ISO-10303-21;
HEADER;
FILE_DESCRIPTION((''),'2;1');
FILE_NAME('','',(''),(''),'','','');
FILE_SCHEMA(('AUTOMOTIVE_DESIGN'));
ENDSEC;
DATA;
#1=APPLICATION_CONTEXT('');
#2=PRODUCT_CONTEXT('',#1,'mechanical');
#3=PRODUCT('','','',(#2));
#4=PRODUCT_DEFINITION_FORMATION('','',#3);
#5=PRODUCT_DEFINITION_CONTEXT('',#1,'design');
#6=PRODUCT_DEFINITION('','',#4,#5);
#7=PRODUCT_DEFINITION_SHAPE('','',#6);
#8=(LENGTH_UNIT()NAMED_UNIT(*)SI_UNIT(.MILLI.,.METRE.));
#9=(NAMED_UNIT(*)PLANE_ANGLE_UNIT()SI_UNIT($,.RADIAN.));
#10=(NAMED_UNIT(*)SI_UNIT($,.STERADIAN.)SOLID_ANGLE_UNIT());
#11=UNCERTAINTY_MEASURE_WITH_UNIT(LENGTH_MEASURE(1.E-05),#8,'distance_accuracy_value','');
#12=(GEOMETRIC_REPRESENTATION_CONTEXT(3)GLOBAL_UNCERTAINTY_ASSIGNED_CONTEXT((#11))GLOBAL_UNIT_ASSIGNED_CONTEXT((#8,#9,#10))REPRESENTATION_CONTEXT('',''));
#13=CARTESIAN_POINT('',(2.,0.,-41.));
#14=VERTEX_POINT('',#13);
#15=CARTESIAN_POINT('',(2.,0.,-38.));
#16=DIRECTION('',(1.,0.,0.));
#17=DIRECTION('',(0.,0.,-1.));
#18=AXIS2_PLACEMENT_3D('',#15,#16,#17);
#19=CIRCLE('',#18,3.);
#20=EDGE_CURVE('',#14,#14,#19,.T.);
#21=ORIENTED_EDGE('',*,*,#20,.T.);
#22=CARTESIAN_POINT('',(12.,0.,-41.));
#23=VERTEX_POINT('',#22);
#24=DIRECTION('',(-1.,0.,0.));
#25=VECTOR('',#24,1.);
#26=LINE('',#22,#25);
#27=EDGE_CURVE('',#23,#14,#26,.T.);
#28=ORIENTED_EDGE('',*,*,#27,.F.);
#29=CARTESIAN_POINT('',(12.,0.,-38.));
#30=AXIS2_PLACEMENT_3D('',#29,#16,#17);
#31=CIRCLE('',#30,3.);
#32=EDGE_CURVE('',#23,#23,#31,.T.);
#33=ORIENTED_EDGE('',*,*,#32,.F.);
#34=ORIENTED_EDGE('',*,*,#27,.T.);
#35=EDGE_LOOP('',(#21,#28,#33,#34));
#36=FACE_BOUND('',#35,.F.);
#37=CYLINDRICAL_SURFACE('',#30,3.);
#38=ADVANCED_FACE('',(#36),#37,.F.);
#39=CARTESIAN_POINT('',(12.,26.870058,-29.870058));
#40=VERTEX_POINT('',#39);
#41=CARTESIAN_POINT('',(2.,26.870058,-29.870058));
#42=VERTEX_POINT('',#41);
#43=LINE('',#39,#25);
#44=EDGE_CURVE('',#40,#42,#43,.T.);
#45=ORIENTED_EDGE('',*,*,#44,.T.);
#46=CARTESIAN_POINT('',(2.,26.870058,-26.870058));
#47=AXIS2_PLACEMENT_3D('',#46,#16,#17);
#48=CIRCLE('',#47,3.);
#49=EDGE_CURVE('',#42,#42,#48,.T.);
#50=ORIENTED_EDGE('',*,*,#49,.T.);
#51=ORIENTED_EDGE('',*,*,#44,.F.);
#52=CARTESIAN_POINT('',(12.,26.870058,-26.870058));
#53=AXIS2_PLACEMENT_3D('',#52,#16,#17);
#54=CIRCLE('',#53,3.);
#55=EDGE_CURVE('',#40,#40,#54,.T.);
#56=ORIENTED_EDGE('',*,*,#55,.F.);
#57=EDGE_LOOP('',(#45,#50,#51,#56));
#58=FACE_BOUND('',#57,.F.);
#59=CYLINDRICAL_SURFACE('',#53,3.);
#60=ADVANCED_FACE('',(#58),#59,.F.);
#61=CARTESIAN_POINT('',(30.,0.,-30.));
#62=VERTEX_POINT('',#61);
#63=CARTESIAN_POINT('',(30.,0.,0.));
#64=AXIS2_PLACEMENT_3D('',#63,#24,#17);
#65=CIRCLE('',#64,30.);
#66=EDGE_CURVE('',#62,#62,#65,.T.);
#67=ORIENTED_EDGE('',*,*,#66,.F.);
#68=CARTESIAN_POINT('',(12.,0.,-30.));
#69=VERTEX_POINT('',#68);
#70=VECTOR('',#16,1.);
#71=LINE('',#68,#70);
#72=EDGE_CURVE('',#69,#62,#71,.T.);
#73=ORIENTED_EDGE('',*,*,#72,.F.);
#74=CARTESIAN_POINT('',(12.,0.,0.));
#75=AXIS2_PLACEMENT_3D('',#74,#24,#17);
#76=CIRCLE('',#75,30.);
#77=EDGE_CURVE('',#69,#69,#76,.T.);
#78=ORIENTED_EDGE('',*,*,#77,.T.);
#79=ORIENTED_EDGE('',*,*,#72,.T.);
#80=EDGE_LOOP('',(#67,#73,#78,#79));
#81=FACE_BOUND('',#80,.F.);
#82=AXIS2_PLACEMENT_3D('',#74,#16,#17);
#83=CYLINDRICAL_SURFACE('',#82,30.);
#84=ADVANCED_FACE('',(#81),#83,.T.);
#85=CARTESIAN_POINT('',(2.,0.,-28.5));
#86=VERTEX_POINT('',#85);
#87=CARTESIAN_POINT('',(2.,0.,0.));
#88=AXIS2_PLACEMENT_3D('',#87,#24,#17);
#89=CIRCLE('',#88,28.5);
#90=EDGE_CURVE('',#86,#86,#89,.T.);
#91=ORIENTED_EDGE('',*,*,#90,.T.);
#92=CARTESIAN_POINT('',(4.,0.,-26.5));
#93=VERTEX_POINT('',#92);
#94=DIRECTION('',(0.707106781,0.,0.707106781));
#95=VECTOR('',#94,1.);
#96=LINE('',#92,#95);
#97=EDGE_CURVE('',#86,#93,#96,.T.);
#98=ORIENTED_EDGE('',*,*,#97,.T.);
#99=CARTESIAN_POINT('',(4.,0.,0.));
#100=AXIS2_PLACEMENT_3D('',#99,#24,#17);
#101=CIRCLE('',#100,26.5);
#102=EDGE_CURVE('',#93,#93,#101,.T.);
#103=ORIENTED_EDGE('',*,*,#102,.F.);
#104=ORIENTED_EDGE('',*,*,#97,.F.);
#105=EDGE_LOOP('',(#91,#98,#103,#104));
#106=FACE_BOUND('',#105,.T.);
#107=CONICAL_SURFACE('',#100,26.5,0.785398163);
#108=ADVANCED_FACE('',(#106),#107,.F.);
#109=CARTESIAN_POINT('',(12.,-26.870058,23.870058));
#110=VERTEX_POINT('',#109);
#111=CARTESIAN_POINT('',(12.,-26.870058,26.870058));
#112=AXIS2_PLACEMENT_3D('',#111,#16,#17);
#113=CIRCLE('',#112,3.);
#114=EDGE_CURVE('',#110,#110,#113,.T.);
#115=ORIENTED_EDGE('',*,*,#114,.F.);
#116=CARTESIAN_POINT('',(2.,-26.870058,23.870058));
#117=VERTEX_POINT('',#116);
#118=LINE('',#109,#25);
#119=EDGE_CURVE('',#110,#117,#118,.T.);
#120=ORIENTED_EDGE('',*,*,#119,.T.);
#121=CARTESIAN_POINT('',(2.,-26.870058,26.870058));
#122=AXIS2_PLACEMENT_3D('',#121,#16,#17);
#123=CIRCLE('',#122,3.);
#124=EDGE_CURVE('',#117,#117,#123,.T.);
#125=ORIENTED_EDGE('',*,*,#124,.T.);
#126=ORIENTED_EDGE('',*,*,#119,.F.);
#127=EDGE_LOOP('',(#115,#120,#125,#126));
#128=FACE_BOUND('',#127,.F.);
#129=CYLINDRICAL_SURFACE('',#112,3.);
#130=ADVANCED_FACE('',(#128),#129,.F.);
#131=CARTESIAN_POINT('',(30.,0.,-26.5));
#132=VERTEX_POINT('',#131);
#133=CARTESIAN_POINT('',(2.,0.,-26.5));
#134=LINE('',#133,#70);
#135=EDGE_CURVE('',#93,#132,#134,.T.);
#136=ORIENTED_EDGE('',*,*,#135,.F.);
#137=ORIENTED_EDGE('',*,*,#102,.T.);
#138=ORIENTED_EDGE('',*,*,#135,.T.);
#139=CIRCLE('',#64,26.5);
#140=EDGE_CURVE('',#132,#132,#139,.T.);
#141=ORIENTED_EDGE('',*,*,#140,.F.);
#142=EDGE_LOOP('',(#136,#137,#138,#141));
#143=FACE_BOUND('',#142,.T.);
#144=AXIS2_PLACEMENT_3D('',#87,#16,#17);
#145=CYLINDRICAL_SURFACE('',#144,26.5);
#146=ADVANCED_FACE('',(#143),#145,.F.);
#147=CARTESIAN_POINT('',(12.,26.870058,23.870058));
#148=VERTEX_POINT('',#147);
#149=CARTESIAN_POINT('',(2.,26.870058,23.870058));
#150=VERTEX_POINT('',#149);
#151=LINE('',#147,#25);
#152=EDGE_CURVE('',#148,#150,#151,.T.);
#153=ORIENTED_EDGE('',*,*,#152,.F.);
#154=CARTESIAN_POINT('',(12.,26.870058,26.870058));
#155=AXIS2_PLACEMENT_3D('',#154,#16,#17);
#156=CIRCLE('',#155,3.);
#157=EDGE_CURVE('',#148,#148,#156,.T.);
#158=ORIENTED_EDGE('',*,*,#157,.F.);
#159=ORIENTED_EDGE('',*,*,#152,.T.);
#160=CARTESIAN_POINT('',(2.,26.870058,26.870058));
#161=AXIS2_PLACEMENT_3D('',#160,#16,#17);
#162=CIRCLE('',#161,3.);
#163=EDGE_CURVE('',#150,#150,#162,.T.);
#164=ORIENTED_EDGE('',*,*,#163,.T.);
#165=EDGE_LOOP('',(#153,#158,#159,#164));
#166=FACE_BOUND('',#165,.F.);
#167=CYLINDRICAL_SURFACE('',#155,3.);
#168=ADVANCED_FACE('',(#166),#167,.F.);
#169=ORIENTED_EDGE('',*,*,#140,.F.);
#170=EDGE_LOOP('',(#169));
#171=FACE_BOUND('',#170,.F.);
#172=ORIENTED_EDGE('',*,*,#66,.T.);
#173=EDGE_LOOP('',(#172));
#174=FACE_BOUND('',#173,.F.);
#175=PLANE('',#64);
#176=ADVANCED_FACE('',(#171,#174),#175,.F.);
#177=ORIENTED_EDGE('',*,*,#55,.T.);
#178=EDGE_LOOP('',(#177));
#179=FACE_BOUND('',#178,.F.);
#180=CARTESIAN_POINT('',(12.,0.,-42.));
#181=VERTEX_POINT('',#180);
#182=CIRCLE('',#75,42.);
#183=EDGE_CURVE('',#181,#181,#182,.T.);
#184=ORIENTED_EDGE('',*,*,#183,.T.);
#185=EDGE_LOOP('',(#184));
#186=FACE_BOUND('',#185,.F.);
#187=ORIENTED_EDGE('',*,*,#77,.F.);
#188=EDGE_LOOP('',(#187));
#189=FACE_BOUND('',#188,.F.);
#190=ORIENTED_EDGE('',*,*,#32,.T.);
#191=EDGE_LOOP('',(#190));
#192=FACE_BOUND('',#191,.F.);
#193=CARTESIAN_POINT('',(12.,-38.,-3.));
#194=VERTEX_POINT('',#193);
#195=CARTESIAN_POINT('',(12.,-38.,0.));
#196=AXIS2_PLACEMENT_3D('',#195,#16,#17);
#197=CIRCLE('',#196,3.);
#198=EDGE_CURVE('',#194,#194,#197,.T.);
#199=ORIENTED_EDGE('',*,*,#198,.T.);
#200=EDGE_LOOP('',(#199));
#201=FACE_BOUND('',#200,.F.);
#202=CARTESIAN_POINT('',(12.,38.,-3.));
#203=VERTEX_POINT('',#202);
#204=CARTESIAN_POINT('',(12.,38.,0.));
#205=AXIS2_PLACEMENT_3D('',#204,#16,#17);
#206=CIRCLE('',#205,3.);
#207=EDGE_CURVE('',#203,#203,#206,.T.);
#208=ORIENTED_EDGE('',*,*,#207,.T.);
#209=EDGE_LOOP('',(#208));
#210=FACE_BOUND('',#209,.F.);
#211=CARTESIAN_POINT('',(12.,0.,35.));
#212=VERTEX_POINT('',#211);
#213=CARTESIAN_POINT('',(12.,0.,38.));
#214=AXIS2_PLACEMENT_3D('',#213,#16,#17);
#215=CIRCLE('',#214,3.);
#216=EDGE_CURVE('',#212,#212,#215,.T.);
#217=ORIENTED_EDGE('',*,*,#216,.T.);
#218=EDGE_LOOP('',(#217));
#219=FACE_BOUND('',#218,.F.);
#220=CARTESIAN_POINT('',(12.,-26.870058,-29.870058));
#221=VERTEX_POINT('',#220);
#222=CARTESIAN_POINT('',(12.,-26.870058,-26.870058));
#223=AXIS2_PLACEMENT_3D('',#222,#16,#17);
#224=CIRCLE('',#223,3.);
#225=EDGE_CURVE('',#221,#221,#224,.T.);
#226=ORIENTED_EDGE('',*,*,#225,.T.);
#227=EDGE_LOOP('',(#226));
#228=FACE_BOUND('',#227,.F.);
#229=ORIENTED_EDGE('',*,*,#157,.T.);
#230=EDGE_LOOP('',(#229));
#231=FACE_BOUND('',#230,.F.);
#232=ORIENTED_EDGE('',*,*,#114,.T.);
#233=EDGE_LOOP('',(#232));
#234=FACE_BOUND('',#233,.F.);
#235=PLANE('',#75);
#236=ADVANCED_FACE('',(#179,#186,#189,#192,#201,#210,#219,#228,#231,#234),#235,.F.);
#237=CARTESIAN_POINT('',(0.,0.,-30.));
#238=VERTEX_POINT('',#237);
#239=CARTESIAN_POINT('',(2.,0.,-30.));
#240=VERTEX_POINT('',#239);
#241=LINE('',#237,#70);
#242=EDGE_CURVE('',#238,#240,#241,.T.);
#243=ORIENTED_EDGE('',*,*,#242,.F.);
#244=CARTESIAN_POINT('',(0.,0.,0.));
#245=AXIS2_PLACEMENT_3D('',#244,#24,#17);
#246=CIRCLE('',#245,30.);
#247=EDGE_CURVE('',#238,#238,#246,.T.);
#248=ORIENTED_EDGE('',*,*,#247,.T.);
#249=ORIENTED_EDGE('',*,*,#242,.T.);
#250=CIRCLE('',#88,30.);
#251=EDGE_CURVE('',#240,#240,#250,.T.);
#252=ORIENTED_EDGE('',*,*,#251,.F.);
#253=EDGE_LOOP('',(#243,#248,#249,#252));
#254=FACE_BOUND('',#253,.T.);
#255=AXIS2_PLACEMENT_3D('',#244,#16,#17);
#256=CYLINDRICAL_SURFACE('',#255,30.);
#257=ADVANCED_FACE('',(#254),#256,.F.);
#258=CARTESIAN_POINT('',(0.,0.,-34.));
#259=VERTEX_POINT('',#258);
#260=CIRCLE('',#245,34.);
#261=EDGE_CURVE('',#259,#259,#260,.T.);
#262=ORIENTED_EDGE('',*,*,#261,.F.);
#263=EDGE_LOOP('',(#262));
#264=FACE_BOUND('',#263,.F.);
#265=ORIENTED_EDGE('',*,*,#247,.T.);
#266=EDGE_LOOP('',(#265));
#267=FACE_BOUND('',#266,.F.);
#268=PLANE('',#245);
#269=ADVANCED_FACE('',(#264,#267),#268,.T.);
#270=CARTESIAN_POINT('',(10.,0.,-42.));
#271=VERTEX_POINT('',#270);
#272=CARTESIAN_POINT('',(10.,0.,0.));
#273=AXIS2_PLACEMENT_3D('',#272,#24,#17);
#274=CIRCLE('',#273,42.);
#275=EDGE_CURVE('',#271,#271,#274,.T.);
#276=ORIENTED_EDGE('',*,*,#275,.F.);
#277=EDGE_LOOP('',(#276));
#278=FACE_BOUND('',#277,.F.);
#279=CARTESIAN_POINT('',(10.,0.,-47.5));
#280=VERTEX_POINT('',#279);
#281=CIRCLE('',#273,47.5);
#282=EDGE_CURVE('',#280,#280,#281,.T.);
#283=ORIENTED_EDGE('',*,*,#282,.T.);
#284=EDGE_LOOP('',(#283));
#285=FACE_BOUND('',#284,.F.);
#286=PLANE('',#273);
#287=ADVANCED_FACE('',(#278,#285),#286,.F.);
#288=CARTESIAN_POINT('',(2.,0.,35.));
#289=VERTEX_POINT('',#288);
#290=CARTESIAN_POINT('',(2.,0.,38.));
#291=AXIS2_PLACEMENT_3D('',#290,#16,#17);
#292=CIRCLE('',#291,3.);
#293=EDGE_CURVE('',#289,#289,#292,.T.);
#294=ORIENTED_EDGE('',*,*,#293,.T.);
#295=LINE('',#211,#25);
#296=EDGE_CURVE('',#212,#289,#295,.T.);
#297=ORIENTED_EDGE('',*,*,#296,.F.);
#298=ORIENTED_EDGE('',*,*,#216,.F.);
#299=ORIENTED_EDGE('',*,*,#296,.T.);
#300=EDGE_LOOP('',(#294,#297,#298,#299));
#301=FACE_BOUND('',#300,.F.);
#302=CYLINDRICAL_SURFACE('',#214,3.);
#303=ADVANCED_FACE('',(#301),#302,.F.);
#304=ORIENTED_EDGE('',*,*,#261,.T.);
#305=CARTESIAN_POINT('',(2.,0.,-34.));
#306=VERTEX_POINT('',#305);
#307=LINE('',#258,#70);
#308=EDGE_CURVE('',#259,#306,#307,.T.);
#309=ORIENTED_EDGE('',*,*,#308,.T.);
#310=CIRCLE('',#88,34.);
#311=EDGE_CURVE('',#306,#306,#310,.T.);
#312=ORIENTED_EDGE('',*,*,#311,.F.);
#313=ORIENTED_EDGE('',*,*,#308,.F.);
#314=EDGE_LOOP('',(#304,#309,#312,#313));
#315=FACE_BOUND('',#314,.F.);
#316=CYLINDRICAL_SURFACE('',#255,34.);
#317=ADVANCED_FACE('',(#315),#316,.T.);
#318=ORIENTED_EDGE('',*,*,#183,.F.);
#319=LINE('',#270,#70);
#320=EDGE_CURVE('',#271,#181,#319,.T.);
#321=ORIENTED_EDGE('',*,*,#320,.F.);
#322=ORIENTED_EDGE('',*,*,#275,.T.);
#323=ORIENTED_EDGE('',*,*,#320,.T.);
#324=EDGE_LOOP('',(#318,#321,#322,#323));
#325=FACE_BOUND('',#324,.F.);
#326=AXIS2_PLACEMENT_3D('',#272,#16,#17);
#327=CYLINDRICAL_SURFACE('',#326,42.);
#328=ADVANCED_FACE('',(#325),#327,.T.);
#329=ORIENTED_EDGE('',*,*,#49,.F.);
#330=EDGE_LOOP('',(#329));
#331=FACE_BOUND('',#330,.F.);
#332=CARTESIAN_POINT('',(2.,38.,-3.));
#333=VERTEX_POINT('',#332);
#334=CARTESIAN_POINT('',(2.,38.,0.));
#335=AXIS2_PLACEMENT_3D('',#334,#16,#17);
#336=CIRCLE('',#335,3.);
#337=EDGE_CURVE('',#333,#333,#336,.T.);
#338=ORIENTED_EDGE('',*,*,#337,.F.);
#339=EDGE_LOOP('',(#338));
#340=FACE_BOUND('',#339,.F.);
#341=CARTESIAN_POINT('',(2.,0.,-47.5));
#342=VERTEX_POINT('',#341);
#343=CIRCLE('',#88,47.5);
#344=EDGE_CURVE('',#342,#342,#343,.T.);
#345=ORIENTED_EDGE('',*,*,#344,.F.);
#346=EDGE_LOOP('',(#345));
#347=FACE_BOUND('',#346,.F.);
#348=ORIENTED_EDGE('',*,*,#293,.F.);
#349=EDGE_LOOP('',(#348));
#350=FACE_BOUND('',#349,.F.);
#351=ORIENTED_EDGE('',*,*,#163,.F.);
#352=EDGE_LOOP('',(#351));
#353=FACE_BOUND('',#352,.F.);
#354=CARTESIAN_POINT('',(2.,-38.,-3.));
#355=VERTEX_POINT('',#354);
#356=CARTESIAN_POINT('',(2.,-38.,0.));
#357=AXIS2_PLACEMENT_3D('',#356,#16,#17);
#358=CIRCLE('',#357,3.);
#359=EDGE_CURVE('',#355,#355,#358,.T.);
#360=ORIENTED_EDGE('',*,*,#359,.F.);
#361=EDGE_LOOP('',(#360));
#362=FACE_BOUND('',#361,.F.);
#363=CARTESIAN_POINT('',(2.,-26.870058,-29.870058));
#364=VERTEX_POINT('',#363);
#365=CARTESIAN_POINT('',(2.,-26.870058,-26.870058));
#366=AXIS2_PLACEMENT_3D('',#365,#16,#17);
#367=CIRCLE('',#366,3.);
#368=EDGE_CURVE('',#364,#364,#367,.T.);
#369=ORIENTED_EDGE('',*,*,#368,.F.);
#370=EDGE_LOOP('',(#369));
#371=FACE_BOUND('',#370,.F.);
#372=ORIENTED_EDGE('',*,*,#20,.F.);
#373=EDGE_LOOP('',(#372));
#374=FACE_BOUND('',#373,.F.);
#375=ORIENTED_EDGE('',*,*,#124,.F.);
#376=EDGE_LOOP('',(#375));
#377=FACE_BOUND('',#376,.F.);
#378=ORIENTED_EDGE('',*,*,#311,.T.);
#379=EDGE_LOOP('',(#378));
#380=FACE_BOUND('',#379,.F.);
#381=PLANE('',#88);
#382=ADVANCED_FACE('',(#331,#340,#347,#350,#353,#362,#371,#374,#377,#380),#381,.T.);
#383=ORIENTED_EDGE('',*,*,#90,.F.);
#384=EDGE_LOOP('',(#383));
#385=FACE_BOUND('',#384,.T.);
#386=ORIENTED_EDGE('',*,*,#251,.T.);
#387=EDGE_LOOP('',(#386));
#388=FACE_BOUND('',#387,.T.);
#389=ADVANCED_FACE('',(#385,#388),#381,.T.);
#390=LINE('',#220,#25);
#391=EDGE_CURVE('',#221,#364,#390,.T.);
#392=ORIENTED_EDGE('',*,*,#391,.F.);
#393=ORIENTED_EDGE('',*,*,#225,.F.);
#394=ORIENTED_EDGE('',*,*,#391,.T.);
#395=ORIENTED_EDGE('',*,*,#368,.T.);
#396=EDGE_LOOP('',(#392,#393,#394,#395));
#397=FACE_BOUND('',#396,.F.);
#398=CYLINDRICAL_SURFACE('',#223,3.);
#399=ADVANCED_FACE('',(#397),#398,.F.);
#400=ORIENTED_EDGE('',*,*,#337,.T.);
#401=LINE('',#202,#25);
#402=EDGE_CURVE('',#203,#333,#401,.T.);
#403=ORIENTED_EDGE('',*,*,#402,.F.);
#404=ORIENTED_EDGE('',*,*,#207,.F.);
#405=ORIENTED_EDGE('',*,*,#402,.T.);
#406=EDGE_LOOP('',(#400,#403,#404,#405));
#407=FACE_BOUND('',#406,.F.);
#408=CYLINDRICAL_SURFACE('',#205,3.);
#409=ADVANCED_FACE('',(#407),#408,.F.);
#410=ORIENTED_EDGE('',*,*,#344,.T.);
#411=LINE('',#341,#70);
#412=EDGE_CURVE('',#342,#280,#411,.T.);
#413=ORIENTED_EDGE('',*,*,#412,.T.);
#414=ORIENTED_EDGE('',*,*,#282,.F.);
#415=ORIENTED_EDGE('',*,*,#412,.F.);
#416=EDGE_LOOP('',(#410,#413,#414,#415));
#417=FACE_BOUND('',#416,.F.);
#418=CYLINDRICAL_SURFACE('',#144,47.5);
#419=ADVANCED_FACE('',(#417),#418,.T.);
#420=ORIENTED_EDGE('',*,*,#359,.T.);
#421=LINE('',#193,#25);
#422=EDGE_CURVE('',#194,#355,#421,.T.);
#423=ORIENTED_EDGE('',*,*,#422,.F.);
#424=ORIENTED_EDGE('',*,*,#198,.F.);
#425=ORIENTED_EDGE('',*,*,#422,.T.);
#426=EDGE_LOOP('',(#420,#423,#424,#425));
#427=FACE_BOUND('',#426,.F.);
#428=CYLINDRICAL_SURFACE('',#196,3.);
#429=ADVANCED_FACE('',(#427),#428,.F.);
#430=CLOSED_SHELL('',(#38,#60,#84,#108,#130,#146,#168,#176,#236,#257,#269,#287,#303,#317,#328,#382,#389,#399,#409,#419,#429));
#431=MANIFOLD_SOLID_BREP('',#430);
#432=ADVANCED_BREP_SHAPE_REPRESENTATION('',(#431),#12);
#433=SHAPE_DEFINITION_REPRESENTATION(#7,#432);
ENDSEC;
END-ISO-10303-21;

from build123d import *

# Parameters (mm, degrees)
CUT_EXTRUDE_1_REACH = 71.545
SKETCH_3_R          = 3
CHAMFER_1_SIZE      = 2


with BuildPart() as part:
    # 草图1 → 旋转1 (revolve)
    with BuildSketch(Plane.XY, mode=Mode.PRIVATE) as revolve_1_sk:
        Polygon((0, 0), (0, 34), (2, 34), (2, 47.5), (10, 47.5), (10, 42), (12, 42), (12, 30), (30, 30), (30, 0), align=None)
    revolve(revolve_1_sk.sketch.rotate(Axis((0, 0, 0), (-1, 0, 0)), 90), axis=Axis((0, 0, 0), (-1, 0, 0)))

    # 草图2 → 切除-旋转1 (revolve, cut)
    with BuildSketch(Plane.XY, mode=Mode.PRIVATE) as cut_revolve_1_sk:
        Polygon((0, 0), (0, 30), (2, 30), (2, 26.5), (30, 26.5), (30, 0), align=None)
    revolve(cut_revolve_1_sk.sketch.rotate(Axis((0, 0, 0), (-1, 0, 0)), 90), axis=Axis((0, 0, 0), (-1, 0, 0)), mode=Mode.SUBTRACT)

    # 草图3 → 切除-拉伸1 (cut, up to next)
    with BuildSketch(Plane(origin=(12, 0, 0), x_dir=(0, 0, -1), z_dir=(1, 0, 0)), mode=Mode.PRIVATE) as cut_extrude_1_sk1:
        with Locations((0, 38)):
            Circle(SKETCH_3_R)
    cut_extrude_1_tool1 = extrude(cut_extrude_1_sk1.sketch, amount=-CUT_EXTRUDE_1_REACH, mode=Mode.PRIVATE) & part.part
    # 草图3 → 切除-拉伸1 (cut, up to next)
    with BuildSketch(Plane(origin=(12, 0, 0), x_dir=(0, 0, -1), z_dir=(1, 0, 0)), mode=Mode.PRIVATE) as cut_extrude_1_sk2:
        with Locations((26.870057685, 26.870057685)):
            Circle(SKETCH_3_R)
    cut_extrude_1_tool2 = extrude(cut_extrude_1_sk2.sketch, amount=-CUT_EXTRUDE_1_REACH, mode=Mode.PRIVATE) & part.part
    # 草图3 → 切除-拉伸1 (cut, up to next)
    with BuildSketch(Plane(origin=(12, 0, 0), x_dir=(0, 0, -1), z_dir=(1, 0, 0)), mode=Mode.PRIVATE) as cut_extrude_1_sk3:
        with Locations((38, 0)):
            Circle(SKETCH_3_R)
    cut_extrude_1_tool3 = extrude(cut_extrude_1_sk3.sketch, amount=-CUT_EXTRUDE_1_REACH, mode=Mode.PRIVATE) & part.part
    # 草图3 → 切除-拉伸1 (cut, up to next)
    with BuildSketch(Plane(origin=(12, 0, 0), x_dir=(0, 0, -1), z_dir=(1, 0, 0)), mode=Mode.PRIVATE) as cut_extrude_1_sk4:
        with Locations((26.870057685, -26.870057685)):
            Circle(SKETCH_3_R)
    cut_extrude_1_tool4 = extrude(cut_extrude_1_sk4.sketch, amount=-CUT_EXTRUDE_1_REACH, mode=Mode.PRIVATE) & part.part
    # 草图3 → 切除-拉伸1 (cut, up to next)
    with BuildSketch(Plane(origin=(12, 0, 0), x_dir=(0, 0, -1), z_dir=(1, 0, 0)), mode=Mode.PRIVATE) as cut_extrude_1_sk5:
        with Locations((0, -38)):
            Circle(SKETCH_3_R)
    cut_extrude_1_tool5 = extrude(cut_extrude_1_sk5.sketch, amount=-CUT_EXTRUDE_1_REACH, mode=Mode.PRIVATE) & part.part
    # 草图3 → 切除-拉伸1 (cut, up to next)
    with BuildSketch(Plane(origin=(12, 0, 0), x_dir=(0, 0, -1), z_dir=(1, 0, 0)), mode=Mode.PRIVATE) as cut_extrude_1_sk6:
        with Locations((-26.870057685, -26.870057685)):
            Circle(SKETCH_3_R)
    cut_extrude_1_tool6 = extrude(cut_extrude_1_sk6.sketch, amount=-CUT_EXTRUDE_1_REACH, mode=Mode.PRIVATE) & part.part
    # 草图3 → 切除-拉伸1 (cut, up to next)
    with BuildSketch(Plane(origin=(12, 0, 0), x_dir=(0, 0, -1), z_dir=(1, 0, 0)), mode=Mode.PRIVATE) as cut_extrude_1_sk7:
        with Locations((-38, 0)):
            Circle(SKETCH_3_R)
    cut_extrude_1_tool7 = extrude(cut_extrude_1_sk7.sketch, amount=-CUT_EXTRUDE_1_REACH, mode=Mode.PRIVATE) & part.part
    # 草图3 → 切除-拉伸1 (cut, up to next)
    with BuildSketch(Plane(origin=(12, 0, 0), x_dir=(0, 0, -1), z_dir=(1, 0, 0)), mode=Mode.PRIVATE) as cut_extrude_1_sk8:
        with Locations((-26.870057685, 26.870057685)):
            Circle(SKETCH_3_R)
    cut_extrude_1_tool8 = extrude(cut_extrude_1_sk8.sketch, amount=-CUT_EXTRUDE_1_REACH, mode=Mode.PRIVATE) & part.part
    add(cut_extrude_1_tool1.solids().sort_by_distance((12, 38, 0))[0], mode=Mode.SUBTRACT)
    add(cut_extrude_1_tool2.solids().sort_by_distance((12, 26.870058, -26.870058))[0], mode=Mode.SUBTRACT)
    add(cut_extrude_1_tool3.solids().sort_by_distance((12, 0, -38))[0], mode=Mode.SUBTRACT)
    add(cut_extrude_1_tool4.solids().sort_by_distance((12, -26.870058, -26.870058))[0], mode=Mode.SUBTRACT)
    add(cut_extrude_1_tool5.solids().sort_by_distance((12, -38, 0))[0], mode=Mode.SUBTRACT)
    add(cut_extrude_1_tool6.solids().sort_by_distance((12, -26.870058, 26.870058))[0], mode=Mode.SUBTRACT)
    add(cut_extrude_1_tool7.solids().sort_by_distance((12, 0, 38))[0], mode=Mode.SUBTRACT)
    add(cut_extrude_1_tool8.solids().sort_by_distance((12, 26.870058, 26.870058))[0], mode=Mode.SUBTRACT)

    # 倒角1
    chamfer_1_edges = [part.edges().sort_by_distance(p)[0] for p in [
        (2, 0, 26.5),
    ]]
    chamfer(chamfer_1_edges, length=CHAMFER_1_SIZE)


solid = part.part
